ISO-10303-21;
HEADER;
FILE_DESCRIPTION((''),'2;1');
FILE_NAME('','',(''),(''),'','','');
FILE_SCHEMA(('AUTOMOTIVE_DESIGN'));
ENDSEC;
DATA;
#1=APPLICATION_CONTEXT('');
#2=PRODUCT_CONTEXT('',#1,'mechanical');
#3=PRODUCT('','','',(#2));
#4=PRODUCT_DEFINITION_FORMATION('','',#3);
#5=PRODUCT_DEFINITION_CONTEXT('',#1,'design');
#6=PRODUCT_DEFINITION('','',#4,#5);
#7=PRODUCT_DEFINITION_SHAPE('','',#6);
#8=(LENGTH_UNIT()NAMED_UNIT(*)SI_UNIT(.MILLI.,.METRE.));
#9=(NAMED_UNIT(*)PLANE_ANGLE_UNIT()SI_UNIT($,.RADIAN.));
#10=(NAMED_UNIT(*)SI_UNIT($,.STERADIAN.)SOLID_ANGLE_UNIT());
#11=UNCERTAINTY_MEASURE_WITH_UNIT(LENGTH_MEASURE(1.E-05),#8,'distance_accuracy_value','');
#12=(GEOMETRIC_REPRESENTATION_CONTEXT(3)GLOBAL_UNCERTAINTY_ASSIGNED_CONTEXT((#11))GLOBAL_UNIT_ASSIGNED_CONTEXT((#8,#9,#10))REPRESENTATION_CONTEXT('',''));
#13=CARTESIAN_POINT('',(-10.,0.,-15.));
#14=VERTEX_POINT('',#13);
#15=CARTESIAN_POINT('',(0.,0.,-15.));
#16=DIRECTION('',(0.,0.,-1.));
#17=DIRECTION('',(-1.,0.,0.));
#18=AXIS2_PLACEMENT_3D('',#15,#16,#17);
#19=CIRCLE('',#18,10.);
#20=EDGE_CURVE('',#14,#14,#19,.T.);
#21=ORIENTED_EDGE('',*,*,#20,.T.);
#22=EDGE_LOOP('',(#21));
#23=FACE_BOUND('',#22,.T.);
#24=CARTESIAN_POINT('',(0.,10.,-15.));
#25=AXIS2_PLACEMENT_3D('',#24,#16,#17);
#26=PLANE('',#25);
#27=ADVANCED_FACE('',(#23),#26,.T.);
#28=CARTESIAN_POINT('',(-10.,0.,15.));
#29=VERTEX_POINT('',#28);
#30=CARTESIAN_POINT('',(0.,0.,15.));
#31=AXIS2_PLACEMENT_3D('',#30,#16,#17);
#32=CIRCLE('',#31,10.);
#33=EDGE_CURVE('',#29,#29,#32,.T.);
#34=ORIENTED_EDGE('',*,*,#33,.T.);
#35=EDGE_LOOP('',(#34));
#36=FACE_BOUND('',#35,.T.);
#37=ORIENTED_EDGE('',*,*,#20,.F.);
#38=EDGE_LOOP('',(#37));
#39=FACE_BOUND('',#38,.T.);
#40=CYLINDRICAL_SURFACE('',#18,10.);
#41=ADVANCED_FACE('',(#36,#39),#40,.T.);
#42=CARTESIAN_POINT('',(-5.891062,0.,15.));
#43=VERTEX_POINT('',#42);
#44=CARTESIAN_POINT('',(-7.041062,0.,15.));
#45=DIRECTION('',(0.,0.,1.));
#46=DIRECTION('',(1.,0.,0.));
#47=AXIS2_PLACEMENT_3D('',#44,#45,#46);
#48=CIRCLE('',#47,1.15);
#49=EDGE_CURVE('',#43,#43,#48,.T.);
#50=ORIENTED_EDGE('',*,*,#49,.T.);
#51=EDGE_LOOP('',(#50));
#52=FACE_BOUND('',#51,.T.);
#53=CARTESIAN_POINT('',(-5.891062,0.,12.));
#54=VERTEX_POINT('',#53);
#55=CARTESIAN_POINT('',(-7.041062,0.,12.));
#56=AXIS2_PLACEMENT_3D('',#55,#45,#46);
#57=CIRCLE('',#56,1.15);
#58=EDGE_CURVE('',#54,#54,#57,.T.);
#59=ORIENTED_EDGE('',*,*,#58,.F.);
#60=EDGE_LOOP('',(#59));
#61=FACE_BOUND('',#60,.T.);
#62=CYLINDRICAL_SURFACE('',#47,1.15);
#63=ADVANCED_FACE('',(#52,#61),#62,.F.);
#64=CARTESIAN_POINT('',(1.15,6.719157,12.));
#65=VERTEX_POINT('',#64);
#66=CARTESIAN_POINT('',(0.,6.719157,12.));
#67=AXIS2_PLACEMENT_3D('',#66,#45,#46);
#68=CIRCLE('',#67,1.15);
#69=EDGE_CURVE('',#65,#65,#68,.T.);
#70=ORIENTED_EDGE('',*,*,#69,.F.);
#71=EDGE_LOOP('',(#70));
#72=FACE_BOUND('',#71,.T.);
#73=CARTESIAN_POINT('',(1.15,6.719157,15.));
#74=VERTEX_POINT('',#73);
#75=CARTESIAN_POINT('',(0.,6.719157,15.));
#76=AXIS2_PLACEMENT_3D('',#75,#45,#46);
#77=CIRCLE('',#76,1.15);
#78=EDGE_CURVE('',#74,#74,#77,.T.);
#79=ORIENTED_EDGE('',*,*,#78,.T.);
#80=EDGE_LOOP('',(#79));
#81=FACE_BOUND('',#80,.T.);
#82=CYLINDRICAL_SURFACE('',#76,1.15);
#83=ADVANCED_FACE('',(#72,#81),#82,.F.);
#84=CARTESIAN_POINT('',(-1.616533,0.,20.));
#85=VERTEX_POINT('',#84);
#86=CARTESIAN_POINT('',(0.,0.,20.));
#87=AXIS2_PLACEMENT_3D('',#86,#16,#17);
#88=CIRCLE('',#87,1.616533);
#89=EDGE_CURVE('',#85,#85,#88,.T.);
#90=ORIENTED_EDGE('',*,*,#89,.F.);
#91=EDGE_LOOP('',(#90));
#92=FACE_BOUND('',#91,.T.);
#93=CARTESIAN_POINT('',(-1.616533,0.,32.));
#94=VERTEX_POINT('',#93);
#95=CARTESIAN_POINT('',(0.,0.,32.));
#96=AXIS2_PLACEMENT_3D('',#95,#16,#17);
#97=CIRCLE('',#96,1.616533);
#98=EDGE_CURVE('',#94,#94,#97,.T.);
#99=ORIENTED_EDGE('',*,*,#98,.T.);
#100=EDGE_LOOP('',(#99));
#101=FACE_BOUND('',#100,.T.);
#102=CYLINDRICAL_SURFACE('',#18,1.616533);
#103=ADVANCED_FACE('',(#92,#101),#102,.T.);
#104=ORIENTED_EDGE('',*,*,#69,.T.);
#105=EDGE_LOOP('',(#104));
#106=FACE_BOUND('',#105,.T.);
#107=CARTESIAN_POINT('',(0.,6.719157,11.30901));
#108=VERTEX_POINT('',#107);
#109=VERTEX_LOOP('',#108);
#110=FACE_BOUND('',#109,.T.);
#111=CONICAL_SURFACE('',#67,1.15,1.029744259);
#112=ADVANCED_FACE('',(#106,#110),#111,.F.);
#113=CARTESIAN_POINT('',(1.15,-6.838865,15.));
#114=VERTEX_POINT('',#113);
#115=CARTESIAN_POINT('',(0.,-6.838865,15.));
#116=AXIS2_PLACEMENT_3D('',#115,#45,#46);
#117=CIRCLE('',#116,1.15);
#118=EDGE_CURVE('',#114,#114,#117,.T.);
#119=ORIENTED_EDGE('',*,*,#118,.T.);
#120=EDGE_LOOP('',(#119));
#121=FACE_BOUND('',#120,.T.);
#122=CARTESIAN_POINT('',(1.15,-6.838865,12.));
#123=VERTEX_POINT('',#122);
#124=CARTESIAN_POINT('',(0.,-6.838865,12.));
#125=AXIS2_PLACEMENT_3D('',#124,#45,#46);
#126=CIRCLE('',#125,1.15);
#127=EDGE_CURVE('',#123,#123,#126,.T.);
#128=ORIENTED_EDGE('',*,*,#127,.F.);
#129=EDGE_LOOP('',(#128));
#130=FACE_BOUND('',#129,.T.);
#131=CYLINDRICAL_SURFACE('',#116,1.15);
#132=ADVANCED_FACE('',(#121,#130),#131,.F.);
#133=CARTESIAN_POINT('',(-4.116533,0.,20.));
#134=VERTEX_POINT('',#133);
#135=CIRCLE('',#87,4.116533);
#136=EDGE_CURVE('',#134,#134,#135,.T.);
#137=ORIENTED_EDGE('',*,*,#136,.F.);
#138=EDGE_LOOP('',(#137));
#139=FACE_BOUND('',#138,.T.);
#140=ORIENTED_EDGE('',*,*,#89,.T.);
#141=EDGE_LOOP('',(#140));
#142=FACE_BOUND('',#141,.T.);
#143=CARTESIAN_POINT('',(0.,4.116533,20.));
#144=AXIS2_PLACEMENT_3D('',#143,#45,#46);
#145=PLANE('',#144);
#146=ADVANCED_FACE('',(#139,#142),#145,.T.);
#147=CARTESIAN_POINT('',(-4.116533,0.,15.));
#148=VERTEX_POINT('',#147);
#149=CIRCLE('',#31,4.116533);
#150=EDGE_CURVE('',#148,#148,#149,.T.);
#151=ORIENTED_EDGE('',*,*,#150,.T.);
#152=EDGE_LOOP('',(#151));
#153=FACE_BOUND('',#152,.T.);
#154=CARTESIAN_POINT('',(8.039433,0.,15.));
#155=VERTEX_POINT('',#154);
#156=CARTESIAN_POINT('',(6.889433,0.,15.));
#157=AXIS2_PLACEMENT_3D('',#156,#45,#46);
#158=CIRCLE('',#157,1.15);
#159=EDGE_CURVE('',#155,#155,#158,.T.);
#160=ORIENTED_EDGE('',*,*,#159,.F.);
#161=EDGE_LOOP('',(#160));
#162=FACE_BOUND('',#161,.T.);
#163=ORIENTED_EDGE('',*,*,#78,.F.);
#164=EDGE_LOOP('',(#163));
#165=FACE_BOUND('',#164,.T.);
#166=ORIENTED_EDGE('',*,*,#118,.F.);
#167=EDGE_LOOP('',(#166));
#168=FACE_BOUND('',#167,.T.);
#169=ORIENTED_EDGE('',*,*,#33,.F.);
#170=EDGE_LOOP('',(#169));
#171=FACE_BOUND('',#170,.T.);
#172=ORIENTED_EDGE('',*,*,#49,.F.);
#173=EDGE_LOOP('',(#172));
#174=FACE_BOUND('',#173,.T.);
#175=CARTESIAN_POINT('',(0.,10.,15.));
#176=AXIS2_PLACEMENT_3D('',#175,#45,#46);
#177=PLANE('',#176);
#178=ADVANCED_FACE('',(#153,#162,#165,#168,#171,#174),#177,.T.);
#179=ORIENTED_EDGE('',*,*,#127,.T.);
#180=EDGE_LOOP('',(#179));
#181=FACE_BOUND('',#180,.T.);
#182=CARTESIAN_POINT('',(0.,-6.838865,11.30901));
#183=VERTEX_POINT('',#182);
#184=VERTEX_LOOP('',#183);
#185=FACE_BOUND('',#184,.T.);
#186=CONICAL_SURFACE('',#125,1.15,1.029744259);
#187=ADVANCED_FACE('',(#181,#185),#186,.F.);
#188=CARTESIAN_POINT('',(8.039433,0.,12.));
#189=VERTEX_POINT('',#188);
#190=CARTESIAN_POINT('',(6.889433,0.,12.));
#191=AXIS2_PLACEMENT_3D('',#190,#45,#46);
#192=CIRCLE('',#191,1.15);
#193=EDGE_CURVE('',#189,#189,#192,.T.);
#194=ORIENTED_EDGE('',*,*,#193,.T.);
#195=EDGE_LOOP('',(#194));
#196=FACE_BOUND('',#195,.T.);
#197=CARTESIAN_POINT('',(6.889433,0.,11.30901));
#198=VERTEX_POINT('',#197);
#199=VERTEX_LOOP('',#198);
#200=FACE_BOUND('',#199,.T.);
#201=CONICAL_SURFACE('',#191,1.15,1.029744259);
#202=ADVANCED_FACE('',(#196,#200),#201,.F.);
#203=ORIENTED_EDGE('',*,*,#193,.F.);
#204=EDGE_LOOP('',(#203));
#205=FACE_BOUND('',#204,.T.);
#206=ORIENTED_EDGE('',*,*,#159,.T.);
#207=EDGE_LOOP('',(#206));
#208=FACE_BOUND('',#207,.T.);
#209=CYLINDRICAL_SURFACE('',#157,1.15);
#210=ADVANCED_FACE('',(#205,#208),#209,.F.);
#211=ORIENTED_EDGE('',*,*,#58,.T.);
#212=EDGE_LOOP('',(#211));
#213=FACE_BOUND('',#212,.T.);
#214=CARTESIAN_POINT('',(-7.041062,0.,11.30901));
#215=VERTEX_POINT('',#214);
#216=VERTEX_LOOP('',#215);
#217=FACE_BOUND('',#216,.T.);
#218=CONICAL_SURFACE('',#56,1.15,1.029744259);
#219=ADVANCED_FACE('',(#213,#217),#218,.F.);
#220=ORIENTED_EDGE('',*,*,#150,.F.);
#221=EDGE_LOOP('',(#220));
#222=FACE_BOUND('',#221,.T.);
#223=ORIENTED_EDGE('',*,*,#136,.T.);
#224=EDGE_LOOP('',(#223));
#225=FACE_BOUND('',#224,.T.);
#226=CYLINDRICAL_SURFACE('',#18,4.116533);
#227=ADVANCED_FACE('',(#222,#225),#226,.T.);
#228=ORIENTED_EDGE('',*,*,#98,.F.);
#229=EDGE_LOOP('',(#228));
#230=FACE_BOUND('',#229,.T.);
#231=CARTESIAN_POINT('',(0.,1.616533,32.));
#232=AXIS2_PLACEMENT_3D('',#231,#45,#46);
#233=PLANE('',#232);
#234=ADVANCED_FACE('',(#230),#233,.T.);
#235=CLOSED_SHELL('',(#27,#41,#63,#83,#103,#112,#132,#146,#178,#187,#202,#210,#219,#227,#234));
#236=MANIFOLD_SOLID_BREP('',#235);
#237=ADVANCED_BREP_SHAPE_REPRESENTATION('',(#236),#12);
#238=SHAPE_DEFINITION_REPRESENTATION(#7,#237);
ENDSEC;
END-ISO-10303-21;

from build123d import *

# Parameters (mm, degrees)
BROCA_DE_ROSQUEAR_PARA_HELICOIDE_M2_21_D     = 2.3
BROCA_DE_ROSQUEAR_PARA_HELICOIDE_M2_21_DEPTH = 3
BROCA_DE_ROSQUEAR_PARA_HELICOIDE_M2_21_TIP   = 0.690989712


with BuildPart() as part:
    # Esboço1 → Revolução1 (revolve)
    with BuildSketch(Plane(origin=(0, 0, 0), x_dir=(0, 0, -1), z_dir=(1, 0, 0)), mode=Mode.PRIVATE) as revolu_o1_sk:
        Polygon((-15, 10), (15, 10), (15, 0), (-32, 0), (-32, 1.616532902), (-20, 1.616532902), (-20, 4.116532902), (-15, 4.116532902), align=None)
    revolve(revolu_o1_sk.sketch.rotate(Axis((0, 0, -15), (0, 0, 1)), 90), axis=Axis((0, 0, -15), (0, 0, 1)))

    # Broca de rosquear para helicoide M2.21
    with Locations(Plane.XY.offset(15)):
        with Locations((0, 6.719156642), (6.889432955, 0), (0, -6.838865025), (-7.041061835, 0)):
            Hole(BROCA_DE_ROSQUEAR_PARA_HELICOIDE_M2_21_D / 2, depth=BROCA_DE_ROSQUEAR_PARA_HELICOIDE_M2_21_DEPTH)
            with Locations((0, 0, -(BROCA_DE_ROSQUEAR_PARA_HELICOIDE_M2_21_DEPTH + BROCA_DE_ROSQUEAR_PARA_HELICOIDE_M2_21_TIP / 2))):  # 118° drill point
                Cone(0, BROCA_DE_ROSQUEAR_PARA_HELICOIDE_M2_21_D / 2, BROCA_DE_ROSQUEAR_PARA_HELICOIDE_M2_21_TIP, mode=Mode.SUBTRACT)


solid = part.part
